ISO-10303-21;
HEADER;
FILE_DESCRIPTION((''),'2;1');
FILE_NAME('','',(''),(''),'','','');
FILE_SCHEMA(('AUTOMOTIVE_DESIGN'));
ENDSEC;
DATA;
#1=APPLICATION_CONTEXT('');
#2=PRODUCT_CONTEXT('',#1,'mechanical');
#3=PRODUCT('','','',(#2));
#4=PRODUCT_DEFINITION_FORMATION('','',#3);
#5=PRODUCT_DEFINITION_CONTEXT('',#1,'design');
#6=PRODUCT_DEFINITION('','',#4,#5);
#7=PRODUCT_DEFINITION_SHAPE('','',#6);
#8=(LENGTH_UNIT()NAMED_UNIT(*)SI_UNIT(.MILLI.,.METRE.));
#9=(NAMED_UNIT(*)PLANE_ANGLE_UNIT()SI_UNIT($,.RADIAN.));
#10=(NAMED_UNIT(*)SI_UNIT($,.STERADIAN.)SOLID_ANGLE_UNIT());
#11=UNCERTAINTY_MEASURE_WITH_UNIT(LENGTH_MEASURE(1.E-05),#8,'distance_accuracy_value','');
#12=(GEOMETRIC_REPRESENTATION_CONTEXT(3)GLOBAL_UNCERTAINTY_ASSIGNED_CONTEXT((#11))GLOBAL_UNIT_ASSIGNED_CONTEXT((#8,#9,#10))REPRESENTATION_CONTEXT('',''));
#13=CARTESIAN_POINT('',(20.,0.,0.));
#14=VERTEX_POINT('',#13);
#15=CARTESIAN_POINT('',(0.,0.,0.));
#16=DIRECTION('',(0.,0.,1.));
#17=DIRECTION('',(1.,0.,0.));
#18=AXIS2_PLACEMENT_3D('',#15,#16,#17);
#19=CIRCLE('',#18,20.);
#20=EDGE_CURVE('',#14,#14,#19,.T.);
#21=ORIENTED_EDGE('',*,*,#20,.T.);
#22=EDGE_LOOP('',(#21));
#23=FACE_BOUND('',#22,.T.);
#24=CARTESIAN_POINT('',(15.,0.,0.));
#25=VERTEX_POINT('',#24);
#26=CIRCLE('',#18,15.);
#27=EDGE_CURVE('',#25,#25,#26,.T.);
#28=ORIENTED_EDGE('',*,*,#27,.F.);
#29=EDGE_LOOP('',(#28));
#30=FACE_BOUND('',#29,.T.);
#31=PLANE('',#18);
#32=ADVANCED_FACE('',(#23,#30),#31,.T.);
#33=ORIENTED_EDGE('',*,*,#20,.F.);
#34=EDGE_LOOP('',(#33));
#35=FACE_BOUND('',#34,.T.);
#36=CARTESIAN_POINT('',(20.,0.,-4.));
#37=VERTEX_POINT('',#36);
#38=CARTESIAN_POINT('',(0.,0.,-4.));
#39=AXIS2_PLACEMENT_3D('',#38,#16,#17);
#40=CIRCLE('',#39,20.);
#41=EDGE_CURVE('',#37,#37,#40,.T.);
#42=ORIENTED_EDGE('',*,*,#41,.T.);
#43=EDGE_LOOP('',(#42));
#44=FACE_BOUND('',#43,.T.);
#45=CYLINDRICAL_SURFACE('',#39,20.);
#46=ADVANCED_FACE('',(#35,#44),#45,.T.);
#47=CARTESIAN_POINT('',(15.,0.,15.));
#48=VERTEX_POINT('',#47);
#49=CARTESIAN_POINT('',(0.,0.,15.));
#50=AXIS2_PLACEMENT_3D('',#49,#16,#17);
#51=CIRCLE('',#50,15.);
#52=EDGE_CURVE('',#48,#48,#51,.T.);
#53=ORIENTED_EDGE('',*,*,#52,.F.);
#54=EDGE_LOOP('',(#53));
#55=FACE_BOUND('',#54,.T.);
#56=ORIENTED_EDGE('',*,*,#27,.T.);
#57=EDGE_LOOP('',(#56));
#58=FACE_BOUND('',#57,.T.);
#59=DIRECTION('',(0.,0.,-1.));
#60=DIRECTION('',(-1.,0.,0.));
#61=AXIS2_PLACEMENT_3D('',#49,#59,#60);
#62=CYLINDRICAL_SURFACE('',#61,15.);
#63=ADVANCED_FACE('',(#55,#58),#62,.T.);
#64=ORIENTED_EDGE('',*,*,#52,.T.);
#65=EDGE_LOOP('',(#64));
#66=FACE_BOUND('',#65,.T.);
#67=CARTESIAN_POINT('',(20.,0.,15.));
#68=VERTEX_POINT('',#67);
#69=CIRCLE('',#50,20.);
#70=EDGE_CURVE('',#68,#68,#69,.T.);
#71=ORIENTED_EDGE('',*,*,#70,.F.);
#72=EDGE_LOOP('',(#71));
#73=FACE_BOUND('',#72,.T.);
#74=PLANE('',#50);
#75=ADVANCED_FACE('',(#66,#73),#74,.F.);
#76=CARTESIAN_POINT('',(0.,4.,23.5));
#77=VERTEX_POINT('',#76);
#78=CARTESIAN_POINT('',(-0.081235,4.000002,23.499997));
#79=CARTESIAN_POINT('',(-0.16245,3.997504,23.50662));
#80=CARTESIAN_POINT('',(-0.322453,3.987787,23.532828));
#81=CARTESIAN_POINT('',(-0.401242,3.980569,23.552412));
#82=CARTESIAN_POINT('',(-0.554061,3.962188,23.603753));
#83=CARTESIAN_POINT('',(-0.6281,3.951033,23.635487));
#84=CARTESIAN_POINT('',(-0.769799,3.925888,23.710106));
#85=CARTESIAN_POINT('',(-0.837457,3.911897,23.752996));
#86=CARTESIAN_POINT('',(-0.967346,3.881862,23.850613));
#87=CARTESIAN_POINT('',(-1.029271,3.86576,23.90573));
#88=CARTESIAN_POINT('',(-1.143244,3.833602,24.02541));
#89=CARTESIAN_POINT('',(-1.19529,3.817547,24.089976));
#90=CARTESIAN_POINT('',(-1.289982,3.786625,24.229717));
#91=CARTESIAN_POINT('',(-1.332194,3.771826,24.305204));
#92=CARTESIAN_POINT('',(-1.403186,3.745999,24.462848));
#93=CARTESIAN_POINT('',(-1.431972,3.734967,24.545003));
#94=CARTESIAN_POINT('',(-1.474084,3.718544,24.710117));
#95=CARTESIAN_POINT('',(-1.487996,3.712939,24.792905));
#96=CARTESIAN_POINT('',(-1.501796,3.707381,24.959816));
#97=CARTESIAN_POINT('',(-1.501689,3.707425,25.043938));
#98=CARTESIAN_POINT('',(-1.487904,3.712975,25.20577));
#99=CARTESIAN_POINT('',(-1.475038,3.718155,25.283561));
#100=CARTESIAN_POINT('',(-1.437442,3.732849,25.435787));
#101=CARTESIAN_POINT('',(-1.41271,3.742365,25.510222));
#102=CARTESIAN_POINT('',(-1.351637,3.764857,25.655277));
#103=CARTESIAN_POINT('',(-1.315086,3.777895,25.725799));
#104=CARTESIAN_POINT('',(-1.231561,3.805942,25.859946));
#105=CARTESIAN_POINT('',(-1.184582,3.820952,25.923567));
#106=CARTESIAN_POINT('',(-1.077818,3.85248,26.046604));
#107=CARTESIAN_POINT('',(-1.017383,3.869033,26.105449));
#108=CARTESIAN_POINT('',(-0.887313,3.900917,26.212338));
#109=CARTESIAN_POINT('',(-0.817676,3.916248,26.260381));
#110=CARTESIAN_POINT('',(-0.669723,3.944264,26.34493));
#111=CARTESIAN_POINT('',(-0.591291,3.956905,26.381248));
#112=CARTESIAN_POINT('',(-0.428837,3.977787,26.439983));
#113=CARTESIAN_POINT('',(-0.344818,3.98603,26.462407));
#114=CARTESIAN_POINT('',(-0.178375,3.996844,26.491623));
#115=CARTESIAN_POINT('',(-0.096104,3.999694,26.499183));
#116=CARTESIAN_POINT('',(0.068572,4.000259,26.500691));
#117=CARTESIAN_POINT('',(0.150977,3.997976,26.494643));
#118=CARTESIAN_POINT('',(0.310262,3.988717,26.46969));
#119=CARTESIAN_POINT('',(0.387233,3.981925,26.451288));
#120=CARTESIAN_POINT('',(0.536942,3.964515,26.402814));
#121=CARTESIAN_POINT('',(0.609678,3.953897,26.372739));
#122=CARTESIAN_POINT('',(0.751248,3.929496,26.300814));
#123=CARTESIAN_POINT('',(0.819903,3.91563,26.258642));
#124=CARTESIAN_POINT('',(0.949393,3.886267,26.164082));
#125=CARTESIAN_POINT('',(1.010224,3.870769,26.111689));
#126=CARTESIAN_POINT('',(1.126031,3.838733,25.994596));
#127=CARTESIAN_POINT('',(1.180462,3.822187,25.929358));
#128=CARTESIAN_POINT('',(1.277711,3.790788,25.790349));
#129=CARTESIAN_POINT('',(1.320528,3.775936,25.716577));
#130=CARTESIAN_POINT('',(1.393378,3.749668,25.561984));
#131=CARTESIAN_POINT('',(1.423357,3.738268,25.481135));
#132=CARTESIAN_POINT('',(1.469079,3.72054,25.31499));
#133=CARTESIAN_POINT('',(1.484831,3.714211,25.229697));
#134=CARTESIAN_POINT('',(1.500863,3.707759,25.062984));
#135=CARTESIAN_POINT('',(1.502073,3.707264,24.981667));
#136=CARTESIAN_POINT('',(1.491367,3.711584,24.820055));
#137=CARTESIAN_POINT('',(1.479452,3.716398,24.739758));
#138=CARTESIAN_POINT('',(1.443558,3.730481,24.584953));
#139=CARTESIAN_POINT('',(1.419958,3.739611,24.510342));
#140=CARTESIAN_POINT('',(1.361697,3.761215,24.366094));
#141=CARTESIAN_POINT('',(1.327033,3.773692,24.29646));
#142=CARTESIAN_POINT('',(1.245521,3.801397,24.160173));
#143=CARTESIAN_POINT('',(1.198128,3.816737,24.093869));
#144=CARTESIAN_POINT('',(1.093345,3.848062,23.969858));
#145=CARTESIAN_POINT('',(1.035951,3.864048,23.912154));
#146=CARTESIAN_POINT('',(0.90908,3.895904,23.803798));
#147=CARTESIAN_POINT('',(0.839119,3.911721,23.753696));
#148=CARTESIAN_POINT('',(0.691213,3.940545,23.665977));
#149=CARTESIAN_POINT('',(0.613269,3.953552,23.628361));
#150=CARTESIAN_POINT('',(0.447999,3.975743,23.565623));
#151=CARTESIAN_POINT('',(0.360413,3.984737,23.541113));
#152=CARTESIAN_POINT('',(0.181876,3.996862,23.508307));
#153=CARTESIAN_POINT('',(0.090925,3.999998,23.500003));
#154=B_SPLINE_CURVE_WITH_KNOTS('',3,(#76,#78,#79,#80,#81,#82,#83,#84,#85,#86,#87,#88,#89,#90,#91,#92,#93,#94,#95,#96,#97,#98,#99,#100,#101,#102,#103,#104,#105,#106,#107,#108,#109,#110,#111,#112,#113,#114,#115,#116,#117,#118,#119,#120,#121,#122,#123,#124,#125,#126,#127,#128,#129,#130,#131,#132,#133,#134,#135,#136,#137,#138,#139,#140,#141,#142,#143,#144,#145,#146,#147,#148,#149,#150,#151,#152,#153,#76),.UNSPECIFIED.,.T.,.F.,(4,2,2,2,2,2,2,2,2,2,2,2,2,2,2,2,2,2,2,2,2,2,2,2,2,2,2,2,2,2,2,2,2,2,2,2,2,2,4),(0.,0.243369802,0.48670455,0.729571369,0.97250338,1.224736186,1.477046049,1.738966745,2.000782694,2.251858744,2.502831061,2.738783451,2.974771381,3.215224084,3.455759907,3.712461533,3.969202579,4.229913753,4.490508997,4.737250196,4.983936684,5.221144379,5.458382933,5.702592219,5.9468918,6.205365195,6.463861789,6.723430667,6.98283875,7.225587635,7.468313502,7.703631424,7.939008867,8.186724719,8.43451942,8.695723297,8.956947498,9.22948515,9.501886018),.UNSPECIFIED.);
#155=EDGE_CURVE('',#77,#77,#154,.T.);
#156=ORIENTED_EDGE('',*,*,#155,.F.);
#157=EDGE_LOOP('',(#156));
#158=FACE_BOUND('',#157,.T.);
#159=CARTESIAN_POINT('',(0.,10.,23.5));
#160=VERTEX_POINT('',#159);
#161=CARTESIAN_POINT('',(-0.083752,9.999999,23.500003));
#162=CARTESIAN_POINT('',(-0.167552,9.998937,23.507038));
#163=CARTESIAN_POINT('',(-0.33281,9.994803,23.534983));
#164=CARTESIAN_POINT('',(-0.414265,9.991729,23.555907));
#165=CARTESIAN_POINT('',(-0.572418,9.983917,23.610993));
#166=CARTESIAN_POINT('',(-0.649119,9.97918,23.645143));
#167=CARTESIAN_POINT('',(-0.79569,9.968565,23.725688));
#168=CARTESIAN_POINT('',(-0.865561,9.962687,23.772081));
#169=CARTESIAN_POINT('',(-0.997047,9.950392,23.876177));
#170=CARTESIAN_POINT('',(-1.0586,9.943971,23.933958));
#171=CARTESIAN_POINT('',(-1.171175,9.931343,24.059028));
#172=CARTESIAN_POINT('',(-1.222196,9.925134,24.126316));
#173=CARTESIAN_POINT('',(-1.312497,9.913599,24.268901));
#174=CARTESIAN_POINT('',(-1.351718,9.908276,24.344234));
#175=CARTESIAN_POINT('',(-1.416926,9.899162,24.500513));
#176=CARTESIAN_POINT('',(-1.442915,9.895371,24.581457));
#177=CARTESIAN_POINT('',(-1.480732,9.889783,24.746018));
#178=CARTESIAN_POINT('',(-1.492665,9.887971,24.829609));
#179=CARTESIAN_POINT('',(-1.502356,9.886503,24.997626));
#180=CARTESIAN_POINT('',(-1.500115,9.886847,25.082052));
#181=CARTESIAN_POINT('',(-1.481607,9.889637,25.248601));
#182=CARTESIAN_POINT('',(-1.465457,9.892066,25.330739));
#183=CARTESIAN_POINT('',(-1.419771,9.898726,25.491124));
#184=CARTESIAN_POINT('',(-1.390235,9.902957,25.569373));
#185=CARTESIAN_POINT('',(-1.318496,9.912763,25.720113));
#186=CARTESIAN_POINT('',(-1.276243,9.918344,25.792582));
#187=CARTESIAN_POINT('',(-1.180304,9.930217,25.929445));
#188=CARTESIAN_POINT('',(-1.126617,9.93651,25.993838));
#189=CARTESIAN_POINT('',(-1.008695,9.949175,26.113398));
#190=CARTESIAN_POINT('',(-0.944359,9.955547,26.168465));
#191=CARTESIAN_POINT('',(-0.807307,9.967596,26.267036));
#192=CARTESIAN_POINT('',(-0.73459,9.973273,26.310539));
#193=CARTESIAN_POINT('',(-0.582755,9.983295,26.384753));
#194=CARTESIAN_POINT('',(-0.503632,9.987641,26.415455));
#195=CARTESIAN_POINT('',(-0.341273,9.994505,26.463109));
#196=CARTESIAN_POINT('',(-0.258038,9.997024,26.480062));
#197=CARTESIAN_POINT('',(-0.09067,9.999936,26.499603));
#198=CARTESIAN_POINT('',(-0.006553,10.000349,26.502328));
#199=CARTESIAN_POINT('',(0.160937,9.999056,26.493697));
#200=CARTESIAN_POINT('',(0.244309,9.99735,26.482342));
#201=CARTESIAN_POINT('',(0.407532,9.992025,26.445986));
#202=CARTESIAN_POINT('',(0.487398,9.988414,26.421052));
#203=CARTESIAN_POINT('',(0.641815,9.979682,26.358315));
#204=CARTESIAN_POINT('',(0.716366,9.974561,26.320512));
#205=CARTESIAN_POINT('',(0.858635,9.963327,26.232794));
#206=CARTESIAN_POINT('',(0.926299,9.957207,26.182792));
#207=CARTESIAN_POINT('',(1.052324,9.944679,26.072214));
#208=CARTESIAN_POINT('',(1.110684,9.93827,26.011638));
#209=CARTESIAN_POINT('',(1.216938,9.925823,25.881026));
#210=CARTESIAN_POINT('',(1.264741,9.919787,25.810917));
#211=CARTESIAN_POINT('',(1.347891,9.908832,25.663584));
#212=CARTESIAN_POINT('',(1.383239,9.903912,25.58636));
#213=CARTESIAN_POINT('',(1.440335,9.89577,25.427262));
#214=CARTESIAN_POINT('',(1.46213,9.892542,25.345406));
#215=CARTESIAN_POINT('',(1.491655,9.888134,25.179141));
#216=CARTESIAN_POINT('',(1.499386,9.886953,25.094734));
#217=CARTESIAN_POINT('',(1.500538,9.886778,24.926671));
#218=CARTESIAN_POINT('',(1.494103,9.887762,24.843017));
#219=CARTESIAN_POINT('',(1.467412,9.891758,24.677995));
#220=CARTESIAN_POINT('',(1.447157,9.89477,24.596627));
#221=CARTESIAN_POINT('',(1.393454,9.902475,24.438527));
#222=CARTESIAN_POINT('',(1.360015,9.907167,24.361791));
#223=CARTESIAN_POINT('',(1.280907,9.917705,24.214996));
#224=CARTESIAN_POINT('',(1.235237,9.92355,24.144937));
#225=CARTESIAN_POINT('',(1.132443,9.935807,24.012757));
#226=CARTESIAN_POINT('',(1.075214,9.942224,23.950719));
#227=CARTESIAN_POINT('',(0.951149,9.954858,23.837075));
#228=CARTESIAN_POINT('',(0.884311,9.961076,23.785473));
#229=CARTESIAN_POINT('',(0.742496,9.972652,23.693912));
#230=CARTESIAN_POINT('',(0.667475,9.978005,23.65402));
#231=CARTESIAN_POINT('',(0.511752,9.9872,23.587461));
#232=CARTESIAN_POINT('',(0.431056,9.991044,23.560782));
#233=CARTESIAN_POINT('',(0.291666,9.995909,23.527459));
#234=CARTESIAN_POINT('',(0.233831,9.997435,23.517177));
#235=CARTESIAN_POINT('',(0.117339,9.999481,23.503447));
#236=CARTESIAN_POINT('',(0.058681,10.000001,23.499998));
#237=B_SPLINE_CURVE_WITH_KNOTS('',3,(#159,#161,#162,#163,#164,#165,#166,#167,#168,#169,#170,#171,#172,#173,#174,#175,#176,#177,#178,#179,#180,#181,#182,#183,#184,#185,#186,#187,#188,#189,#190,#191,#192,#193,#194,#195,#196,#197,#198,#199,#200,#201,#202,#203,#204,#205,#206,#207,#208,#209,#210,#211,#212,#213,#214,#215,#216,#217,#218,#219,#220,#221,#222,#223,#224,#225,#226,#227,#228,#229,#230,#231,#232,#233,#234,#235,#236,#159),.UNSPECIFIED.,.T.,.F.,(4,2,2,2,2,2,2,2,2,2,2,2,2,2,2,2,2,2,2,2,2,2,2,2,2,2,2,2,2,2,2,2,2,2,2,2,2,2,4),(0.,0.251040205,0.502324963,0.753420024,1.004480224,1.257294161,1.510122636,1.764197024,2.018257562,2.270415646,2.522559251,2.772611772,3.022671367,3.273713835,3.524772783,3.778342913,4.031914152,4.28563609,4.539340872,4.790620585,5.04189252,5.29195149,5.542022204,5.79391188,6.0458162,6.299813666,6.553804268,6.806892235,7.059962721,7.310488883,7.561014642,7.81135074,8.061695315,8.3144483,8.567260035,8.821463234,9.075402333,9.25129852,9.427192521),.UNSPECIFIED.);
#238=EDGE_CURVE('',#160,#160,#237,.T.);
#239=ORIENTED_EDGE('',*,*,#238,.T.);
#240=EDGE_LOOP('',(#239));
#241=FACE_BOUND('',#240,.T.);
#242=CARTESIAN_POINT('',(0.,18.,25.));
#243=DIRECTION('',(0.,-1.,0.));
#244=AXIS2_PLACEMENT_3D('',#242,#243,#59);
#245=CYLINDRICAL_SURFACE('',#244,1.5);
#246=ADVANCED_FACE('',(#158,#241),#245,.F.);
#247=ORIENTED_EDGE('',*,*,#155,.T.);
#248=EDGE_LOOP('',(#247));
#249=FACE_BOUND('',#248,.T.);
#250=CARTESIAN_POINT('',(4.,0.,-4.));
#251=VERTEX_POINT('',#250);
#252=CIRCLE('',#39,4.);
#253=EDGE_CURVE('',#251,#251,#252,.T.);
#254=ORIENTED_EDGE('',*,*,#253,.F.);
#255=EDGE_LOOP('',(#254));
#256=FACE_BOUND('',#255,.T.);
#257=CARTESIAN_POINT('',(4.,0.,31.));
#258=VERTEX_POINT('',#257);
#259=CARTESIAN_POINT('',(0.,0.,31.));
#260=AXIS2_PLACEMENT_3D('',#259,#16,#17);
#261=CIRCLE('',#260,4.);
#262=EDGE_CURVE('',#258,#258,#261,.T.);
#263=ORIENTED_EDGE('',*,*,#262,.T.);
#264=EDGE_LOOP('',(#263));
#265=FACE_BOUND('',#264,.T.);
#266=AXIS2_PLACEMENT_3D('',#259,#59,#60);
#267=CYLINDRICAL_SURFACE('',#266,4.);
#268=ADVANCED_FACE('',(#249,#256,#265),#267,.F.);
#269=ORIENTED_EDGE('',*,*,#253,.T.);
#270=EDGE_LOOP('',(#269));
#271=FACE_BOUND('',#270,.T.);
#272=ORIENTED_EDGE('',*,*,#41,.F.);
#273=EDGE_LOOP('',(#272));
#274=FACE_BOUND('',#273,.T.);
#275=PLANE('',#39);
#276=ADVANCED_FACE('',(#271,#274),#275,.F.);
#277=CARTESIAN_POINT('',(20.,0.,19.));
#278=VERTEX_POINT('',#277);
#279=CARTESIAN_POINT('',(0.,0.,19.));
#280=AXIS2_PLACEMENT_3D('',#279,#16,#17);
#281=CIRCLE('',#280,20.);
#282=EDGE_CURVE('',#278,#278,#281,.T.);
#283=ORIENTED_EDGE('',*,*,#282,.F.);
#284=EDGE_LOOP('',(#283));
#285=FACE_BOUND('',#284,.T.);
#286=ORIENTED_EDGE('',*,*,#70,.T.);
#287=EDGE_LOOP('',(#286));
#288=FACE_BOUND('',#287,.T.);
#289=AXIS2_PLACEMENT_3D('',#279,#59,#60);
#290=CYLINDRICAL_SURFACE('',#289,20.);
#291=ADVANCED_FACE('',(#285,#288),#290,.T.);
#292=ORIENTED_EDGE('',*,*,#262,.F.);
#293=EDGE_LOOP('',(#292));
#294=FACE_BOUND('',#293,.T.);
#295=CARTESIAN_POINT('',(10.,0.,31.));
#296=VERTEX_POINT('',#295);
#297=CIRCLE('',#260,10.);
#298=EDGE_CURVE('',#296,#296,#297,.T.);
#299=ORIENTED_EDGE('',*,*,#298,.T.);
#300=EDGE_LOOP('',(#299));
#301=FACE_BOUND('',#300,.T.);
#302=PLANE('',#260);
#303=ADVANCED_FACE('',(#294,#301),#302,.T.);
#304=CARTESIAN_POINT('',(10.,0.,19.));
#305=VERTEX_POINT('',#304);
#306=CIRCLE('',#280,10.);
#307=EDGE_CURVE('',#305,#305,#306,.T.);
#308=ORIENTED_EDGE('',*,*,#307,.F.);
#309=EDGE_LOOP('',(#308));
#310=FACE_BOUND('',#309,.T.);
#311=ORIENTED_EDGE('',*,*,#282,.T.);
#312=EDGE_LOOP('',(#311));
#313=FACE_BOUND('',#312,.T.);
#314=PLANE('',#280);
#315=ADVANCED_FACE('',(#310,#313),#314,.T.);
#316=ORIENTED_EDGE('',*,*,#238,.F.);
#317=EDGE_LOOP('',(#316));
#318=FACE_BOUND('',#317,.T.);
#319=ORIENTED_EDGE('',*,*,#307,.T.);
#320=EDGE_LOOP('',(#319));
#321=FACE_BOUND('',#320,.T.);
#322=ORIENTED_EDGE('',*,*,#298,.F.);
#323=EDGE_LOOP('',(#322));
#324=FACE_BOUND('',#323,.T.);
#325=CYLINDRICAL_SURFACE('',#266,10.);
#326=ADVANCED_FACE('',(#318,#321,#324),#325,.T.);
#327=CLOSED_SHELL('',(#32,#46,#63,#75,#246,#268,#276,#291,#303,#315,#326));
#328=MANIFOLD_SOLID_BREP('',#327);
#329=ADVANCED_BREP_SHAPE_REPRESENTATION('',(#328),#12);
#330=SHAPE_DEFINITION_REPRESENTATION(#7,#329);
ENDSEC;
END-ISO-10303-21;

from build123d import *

# Parameters (mm, degrees)
SKETCH_1_R          = 20
EXTRUDE_1_DEPTH     = 4
SKETCH_1_3_R        = 15
EXTRUDE_2_DEPTH     = 15
EXTRUDE_START       = 4
SKETCH_2_R          = 20
EXTRUDE_3_DEPTH     = 4
SKETCH_3_R          = 10
SKETCH_3_R_2        = 4
EXTRUDE_4_DEPTH     = 12
SKETCH_4_R          = 1.5
CUT_EXTRUDE_1_DEPTH = 18
CUT_EXTRUDE_START   = -27
SKETCH_3_3_R        = 4
CUT_EXTRUDE_2_DEPTH = 27


with BuildPart() as part:
    # 스케치1 → 보스-돌출1 (new body)
    with BuildSketch(Plane.XY):
        Circle(SKETCH_1_R)
    extrude(amount=-EXTRUDE_1_DEPTH)

    # 스케치1<3> → 보스-돌출2 (add)
    with BuildSketch(Plane.XY):
        Circle(SKETCH_1_3_R)
    extrude(amount=EXTRUDE_2_DEPTH)

    # 스케치2 → 보스-돌출3 (add)
    with BuildSketch(Plane.XY.offset(15).offset(EXTRUDE_START)):
        Circle(SKETCH_2_R)
    extrude(amount=-EXTRUDE_3_DEPTH)

    # 스케치3 → 보스-돌출4 (add)
    with BuildSketch(Plane.XY.offset(19)):
        Circle(SKETCH_3_R)
        Circle(SKETCH_3_R_2, mode=Mode.SUBTRACT)
    extrude(amount=EXTRUDE_4_DEPTH)

    # 스케치4 → 컷-돌출1 (cut)
    with BuildSketch(Plane(origin=(0, 0, 0), x_dir=(1, 0, 0), z_dir=(0, 1, 0))):
        with Locations((0, -25)):
            Circle(SKETCH_4_R)
    extrude(amount=CUT_EXTRUDE_1_DEPTH, mode=Mode.SUBTRACT)

    # 스케치3<3> → 컷-돌출2 (cut)
    with BuildSketch(Plane.XY.offset(19).offset(CUT_EXTRUDE_START)):
        Circle(SKETCH_3_3_R)
    extrude(amount=CUT_EXTRUDE_2_DEPTH, mode=Mode.SUBTRACT)


solid = part.part
